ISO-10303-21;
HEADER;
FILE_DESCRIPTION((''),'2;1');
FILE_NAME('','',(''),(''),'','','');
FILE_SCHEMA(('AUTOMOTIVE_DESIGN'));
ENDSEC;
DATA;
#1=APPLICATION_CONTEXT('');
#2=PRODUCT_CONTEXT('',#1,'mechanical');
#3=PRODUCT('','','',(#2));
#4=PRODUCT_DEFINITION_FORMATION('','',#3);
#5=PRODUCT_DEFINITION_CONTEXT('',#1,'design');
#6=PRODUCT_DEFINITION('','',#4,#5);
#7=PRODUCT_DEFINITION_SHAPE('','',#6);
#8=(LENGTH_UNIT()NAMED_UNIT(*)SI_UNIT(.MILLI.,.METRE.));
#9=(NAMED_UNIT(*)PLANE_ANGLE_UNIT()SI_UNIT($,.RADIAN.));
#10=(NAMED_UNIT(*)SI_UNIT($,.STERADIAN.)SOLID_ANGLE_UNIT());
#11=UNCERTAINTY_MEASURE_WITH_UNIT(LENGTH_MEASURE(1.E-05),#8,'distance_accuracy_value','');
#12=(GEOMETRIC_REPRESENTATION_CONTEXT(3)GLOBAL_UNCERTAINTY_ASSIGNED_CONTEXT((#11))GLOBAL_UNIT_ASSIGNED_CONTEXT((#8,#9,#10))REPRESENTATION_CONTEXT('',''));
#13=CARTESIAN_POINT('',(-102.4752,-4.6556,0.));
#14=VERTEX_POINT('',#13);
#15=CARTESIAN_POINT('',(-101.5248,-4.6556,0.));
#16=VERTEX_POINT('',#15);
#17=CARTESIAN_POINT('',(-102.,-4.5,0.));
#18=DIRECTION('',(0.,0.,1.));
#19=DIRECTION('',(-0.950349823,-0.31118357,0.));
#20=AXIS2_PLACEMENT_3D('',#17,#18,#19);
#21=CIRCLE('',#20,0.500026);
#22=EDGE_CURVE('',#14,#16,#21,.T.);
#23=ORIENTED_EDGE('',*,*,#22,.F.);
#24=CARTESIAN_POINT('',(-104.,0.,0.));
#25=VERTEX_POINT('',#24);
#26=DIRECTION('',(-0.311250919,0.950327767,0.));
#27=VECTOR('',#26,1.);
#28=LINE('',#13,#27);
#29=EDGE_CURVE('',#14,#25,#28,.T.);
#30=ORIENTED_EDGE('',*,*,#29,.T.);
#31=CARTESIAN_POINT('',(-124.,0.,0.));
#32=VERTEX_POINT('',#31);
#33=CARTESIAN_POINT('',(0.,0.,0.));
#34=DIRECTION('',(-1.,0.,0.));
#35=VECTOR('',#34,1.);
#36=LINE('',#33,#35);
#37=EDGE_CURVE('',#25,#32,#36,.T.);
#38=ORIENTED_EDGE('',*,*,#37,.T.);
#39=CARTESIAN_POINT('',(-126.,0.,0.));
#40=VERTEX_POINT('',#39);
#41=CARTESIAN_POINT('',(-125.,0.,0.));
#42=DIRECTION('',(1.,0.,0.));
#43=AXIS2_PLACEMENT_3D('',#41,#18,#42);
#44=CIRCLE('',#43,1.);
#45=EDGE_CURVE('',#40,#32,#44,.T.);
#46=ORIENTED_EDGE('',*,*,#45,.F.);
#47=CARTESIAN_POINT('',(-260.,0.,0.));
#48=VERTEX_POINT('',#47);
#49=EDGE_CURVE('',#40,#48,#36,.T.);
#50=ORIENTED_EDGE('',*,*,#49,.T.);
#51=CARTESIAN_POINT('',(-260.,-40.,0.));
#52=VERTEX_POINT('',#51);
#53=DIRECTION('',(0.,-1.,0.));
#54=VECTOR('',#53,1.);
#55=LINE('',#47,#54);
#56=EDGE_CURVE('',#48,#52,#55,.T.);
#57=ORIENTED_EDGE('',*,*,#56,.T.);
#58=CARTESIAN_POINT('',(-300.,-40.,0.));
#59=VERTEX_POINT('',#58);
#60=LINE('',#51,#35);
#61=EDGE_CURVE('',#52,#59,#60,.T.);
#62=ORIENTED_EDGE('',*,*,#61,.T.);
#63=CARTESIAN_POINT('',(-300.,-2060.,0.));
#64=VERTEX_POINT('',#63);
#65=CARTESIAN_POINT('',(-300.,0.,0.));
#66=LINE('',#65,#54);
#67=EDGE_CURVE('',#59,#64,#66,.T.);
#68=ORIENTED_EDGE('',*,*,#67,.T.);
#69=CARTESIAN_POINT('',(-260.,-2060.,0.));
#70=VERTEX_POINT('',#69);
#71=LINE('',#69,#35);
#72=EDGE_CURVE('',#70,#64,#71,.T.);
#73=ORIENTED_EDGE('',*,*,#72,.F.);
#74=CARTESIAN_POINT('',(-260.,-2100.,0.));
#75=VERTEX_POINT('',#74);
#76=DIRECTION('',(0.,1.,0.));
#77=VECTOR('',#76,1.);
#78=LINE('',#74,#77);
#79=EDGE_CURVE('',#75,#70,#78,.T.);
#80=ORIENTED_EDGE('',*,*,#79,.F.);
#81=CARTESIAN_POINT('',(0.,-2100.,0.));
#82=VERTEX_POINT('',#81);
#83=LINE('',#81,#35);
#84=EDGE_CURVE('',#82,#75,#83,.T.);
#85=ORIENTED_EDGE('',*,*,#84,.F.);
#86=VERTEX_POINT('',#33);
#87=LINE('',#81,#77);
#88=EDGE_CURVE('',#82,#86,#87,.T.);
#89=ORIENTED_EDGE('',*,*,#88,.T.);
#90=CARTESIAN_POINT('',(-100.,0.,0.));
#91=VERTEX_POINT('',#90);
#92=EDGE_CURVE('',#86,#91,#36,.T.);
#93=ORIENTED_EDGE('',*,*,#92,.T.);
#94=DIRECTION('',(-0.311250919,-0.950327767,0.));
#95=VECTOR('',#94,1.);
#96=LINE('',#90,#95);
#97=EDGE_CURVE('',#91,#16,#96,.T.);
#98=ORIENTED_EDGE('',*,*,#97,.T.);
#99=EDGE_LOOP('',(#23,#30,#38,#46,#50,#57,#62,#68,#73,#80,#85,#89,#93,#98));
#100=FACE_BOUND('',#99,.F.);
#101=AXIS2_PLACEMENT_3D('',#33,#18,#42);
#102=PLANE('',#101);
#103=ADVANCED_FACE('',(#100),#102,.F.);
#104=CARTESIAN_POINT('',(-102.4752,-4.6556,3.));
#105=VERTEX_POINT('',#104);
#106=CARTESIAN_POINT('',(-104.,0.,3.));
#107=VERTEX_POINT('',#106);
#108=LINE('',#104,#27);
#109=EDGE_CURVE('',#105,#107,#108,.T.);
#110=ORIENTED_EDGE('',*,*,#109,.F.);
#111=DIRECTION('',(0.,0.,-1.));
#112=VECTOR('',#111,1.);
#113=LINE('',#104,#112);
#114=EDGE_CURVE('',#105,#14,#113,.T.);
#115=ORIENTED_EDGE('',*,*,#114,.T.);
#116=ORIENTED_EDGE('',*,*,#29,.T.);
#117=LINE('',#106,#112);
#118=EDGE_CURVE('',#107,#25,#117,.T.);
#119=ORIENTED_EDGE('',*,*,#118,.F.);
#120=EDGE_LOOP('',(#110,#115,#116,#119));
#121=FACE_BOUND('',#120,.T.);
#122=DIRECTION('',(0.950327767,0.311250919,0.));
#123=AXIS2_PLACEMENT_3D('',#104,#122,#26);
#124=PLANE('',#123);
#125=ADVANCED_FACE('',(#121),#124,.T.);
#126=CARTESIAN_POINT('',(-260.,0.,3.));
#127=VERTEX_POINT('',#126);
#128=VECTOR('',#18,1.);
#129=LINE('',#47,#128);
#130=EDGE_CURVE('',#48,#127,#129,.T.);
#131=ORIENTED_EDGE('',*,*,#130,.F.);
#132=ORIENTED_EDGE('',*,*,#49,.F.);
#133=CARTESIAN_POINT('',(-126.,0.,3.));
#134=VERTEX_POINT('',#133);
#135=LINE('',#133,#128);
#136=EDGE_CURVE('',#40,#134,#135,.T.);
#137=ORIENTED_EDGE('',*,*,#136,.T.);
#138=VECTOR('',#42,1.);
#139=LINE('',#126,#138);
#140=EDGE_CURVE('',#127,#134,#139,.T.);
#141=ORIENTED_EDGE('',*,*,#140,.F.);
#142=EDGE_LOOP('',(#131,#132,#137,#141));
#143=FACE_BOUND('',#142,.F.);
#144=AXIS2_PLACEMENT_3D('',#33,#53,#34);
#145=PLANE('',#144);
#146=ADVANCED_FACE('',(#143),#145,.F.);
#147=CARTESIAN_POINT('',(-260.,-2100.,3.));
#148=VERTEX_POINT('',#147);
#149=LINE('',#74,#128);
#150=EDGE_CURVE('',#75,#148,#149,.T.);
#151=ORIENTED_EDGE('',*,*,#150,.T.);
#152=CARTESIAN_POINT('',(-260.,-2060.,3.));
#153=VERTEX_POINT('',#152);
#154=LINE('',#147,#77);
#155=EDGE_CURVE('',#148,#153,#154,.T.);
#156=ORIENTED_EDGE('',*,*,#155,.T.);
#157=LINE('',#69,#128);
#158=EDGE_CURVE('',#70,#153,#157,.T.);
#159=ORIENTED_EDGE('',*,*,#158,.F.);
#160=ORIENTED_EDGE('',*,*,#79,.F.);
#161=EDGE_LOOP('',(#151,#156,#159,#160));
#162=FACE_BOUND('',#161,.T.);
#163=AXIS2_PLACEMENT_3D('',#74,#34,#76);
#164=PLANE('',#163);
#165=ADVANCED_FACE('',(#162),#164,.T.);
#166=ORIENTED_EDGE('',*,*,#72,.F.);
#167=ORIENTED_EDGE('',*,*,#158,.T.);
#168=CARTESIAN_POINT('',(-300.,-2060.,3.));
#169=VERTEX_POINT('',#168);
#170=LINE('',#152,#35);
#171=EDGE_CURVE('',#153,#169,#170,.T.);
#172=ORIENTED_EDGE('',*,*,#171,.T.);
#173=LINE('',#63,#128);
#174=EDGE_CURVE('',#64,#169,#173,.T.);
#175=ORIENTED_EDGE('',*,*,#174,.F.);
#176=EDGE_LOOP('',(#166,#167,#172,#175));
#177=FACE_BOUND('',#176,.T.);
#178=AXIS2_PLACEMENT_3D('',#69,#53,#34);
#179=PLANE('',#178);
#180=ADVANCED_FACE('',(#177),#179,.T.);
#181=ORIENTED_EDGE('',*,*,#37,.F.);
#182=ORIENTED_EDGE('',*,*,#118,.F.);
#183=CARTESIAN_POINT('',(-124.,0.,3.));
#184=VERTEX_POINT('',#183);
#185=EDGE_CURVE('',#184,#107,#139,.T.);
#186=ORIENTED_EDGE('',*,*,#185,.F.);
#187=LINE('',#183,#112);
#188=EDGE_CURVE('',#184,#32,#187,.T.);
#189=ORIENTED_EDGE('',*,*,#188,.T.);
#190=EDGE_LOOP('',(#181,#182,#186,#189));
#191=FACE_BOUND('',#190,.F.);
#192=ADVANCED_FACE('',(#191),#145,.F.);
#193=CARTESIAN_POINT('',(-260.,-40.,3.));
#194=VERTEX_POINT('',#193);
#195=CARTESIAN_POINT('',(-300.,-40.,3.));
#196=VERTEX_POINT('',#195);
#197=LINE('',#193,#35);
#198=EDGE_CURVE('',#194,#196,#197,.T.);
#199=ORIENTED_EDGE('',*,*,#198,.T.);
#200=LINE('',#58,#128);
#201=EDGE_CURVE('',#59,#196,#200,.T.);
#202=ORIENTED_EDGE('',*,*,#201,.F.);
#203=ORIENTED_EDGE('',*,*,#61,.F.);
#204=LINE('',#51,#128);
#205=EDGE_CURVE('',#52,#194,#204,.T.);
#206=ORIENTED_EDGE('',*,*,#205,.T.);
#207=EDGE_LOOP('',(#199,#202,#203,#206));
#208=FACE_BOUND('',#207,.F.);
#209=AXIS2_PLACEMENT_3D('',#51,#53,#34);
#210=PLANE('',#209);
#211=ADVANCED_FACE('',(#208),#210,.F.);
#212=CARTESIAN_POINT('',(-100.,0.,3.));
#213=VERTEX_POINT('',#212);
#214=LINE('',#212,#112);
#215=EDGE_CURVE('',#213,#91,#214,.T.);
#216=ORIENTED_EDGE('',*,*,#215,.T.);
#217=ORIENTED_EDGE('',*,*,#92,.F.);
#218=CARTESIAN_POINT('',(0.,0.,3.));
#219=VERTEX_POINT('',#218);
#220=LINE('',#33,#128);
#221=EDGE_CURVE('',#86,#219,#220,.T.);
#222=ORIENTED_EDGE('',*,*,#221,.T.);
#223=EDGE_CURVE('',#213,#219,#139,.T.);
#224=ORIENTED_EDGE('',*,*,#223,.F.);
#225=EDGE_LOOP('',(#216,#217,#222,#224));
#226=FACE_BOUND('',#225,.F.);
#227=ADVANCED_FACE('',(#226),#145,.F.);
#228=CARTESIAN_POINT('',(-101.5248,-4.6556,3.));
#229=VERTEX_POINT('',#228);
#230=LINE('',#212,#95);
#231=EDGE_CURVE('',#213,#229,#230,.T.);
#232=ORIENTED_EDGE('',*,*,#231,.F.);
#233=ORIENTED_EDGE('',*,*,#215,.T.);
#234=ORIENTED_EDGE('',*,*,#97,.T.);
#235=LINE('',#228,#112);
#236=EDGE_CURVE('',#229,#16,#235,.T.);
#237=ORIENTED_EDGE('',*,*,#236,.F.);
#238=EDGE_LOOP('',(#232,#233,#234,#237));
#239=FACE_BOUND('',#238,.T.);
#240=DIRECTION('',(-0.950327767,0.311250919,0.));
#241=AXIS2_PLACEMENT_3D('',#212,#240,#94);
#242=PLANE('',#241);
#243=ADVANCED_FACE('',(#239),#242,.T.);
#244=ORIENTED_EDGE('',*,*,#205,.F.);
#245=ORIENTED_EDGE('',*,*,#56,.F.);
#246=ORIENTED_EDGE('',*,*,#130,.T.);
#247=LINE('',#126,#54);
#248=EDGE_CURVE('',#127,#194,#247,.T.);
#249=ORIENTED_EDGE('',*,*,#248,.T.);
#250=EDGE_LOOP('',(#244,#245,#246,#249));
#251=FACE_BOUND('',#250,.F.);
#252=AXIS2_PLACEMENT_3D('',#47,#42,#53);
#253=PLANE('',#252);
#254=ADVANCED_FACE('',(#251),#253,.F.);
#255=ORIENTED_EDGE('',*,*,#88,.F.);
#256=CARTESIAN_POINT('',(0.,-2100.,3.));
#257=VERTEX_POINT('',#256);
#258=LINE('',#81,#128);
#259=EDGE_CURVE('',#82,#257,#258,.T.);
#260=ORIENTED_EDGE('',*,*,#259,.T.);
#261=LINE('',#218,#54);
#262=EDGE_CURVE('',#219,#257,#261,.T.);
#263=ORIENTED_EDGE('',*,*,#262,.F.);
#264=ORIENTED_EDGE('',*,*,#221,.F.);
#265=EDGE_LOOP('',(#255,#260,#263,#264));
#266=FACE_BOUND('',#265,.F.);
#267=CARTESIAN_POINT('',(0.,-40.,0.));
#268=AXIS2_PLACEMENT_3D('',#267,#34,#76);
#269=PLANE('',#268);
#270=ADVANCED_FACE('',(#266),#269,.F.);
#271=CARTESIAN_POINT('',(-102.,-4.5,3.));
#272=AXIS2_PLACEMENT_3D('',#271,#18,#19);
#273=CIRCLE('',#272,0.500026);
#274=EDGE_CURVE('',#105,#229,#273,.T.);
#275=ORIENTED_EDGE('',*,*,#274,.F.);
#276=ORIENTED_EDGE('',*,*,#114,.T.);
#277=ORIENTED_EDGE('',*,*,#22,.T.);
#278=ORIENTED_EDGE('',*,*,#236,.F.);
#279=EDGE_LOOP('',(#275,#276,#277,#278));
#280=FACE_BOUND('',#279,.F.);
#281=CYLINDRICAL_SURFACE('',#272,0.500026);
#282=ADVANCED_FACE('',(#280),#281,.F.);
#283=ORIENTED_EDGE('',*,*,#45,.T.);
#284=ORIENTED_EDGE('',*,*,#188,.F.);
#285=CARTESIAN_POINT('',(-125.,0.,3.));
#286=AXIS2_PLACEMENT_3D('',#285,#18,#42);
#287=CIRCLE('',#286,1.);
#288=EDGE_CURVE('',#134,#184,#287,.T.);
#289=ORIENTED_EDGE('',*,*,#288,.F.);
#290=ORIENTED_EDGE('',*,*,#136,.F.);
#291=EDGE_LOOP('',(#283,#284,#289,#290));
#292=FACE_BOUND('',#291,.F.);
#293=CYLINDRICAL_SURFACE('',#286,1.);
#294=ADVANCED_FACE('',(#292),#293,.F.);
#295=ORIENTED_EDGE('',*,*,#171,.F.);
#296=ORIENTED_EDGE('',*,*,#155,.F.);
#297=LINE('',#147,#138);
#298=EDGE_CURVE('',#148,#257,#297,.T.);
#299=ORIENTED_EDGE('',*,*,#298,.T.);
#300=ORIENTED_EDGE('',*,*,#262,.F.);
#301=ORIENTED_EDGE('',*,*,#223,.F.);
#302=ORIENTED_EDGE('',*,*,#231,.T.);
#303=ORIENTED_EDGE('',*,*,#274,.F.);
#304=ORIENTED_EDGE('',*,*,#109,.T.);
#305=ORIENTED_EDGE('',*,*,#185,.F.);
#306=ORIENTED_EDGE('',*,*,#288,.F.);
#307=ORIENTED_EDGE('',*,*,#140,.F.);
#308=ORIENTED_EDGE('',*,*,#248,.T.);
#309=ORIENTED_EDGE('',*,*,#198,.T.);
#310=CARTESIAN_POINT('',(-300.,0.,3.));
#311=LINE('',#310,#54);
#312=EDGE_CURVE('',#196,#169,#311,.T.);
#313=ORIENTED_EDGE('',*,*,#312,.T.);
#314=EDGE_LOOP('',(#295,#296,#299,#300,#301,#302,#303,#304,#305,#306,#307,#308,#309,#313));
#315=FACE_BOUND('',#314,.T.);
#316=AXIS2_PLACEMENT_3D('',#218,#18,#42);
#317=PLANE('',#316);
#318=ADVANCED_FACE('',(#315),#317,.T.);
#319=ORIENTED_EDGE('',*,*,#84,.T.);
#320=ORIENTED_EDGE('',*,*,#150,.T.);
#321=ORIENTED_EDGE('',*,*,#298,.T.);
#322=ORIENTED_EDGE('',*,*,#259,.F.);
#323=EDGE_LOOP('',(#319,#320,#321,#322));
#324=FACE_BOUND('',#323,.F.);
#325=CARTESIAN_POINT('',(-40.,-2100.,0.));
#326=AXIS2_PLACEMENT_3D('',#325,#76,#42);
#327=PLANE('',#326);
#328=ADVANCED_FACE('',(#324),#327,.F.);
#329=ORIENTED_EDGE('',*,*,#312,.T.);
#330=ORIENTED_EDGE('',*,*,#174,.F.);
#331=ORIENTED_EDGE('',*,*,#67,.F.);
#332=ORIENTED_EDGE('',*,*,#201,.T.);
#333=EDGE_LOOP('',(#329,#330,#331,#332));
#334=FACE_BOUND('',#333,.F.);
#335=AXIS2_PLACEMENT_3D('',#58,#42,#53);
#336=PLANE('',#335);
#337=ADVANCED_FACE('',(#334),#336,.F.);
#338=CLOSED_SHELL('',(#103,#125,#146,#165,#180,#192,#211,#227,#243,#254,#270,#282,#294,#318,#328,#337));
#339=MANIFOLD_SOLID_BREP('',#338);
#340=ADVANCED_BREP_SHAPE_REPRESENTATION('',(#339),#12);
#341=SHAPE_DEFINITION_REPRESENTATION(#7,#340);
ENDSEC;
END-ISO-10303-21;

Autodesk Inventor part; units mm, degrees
ref_plane "YZ Plane" through (0, 0, 0) normal (1, 0, 0) x (0, 1, 0)
ref_plane "XZ Plane" through (0, 0, 0) normal (0, 1, 0) x (-1, 0, 0)
ref_plane "XY Plane" through (0, 0, 0) normal (0, 0, 1) x (1, 0, 0)
sketch "Sketch1" plane through (0, 0, 0) normal (0, 0, 1) x (1, 0, 0)
  line L0 (0, 0) -> (-300, 0)
  line L1 (-300, 0) -> (-300, -2100)
  line L2 (-300, -2100) -> (0, -2100)
  line L3 (0, -2100) -> (0, 0)
  line L4 (0, 0) -> (-40, 0)
  line L5 (-40, 0) -> (-40, -40)
  line L6 (-40, -40) -> (0, -40)
  line L7 (0, -40) -> (0, 0)
  line L8 (0, -2100) -> (-40, -2100)
  line L9 (-40, -2100) -> (-40, -2060)
  line L10 (-40, -2060) -> (0, -2060)
  line L11 (0, -2060) -> (0, -2100)
  line L12 (-300, 0) -> (-260, 0)
  line L13 (-260, 0) -> (-260, -40)
  line L14 (-260, -40) -> (-300, -40)
  line L15 (-300, -40) -> (-300, 0)
  line L16 (-300, -2100) -> (-260, -2100)
  line L17 (-260, -2100) -> (-260, -2060)
  line L18 (-260, -2060) -> (-300, -2060)
  line L19 (-300, -2060) -> (-300, -2100)
  line L20 (-220, -2100) -> (-130, -2100)
  line L21 (-130, -2100) -> (-130, -2060)
  line L22 (-130, -2060) -> (-220, -2060)
  line L23 (-220, -2060) -> (-220, -2100)
  line L24 (-220, 0) -> (-130, 0)
  line L25 (-130, 0) -> (-130, -40)
  line L26 (-130, -40) -> (-220, -40)
  line L27 (-220, -40) -> (-220, 0)
  point P0 (0, -40)
  point P1 (-40, 0)
  point P2 (-40, -2100)
  point P3 (0, -2060)
  point P4 (-130, -2100)
  point P5 (-130, 0)
  point P6 (-260, 0)
  point P7 (-300, -40)
  dimension "d22" = 300
  dimension "d23" = 2100
  dimension "d24" = 40
  dimension "d25" = 40
  dimension "d28" = 90
  dimension "d29" = 90
extrude "Plate1" add sketch "Sketch1" along normal blind 3 contours L3 L6 L5 L0 | L5 L6 L3 L10 L9 L2 L21 L22 L23 L17 L18 L1 L14 L13 L0 L27 L26 L25 | L25 L26 L27 L0 | L3 L2 L9 L10 | L2 L23 L22 L21
sketch "Sketch5" plane through (0, 0, 3) normal (0, 0, 1) x (1, 0, 0)
  line L0 (0, 0) -> (-100, 0) construction
  line L1 (-100, 0) -> (-100, -2) construction
  line L2 (-100, -2) -> (0, -2) construction
  line L3 (0, -2) -> (0, 0) construction
  line L4 (-100, 0) -> (-101.5248, -4.6556)
  arc A0 (-102.4752, -4.6556) -> (-101.5248, -4.6556) centre (-102, -4.5) ccw
  line L5 (-102.4752, -4.6556) -> (-104, 0)
  line L6 (-104, 0) -> (-100, 0)
  line L7 (-104, 0) -> (-106, 0) construction
  line L8 (-106, 0) -> (-108, 0)
  line L9 (-108, 0) -> (-108, -5)
  line L10 (-108, -5) -> (-106, -5)
  line L11 (-106, -5) -> (-106, 0)
  line L12 (-108, 0) -> (-110, 0) construction
  line L13 (-110, 0) -> (-112, 0)
  line L14 (-112, 0) -> (-112, -5)
  line L15 (-112, -5) -> (-110, -5)
  line L16 (-110, -5) -> (-110, 0)
  line L17 (-112, 0) -> (-114, 0) construction
  line L18 (-114, 0) -> (-116, 0)
  line L19 (-116, 0) -> (-116, -5)
  line L20 (-116, -5) -> (-114, -5)
  line L21 (-114, -5) -> (-114, 0)
  line L22 (-116, 0) -> (-118, 0) construction
  line L23 (-118, 0) -> (-120, 0)
  line L24 (-120, 0) -> (-120, -5)
  line L25 (-120, -5) -> (-118, -5)
  line L26 (-118, -5) -> (-118, 0)
  line L27 (-120, 0) -> (-125, 0) construction
  line L28 (-125, 0) -> (-130, 0) construction
  circle A1 centre (-125, 0) radius 1
  circle A2 centre (-130, 0) radius 1
  point P0 (-102, 0)
  dimension "d31" = 100
  dimension "d32" = 2
  dimension "d33" = 5
  dimension "d34" = 4
  dimension "d35" = 0.5
  dimension "d36" = 5
  dimension "d37" = 5
  dimension "d38" = 5
  dimension "d39" = 2
extrude "Cut1" cut sketch "Sketch5" against normal blind 3 contours L4 A0 L5 L6 | A1
equation "\"d34\" = 2 * d32"
equation "\"d35\" = 0.25 * d32"
equation "\"d39\" = d32"
equation "\"d40\" = Thickness"
equation "\"d2\" = Thickness"
equation "\"BendReliefWidth\" = Thickness"
equation "\"BendReliefDepth\" = 0.5 * Thickness"
equation "\"CornerReliefSize\" = 4 * Thickness"
equation "\"MinimumRemnant\" = 2 * Thickness"
equation "\"TransitionRadius\" = BendRadius"
equation "\"JacobiRadiusSize\" = BendRadius"
equation "\"GapSize\" = Thickness"
equation "\"Thickness\" = 3"
equation "\"BendRadius\" = 5"
properties part number "GnG frame 1.1 floor sheet 5" material "Stainless Steel"
